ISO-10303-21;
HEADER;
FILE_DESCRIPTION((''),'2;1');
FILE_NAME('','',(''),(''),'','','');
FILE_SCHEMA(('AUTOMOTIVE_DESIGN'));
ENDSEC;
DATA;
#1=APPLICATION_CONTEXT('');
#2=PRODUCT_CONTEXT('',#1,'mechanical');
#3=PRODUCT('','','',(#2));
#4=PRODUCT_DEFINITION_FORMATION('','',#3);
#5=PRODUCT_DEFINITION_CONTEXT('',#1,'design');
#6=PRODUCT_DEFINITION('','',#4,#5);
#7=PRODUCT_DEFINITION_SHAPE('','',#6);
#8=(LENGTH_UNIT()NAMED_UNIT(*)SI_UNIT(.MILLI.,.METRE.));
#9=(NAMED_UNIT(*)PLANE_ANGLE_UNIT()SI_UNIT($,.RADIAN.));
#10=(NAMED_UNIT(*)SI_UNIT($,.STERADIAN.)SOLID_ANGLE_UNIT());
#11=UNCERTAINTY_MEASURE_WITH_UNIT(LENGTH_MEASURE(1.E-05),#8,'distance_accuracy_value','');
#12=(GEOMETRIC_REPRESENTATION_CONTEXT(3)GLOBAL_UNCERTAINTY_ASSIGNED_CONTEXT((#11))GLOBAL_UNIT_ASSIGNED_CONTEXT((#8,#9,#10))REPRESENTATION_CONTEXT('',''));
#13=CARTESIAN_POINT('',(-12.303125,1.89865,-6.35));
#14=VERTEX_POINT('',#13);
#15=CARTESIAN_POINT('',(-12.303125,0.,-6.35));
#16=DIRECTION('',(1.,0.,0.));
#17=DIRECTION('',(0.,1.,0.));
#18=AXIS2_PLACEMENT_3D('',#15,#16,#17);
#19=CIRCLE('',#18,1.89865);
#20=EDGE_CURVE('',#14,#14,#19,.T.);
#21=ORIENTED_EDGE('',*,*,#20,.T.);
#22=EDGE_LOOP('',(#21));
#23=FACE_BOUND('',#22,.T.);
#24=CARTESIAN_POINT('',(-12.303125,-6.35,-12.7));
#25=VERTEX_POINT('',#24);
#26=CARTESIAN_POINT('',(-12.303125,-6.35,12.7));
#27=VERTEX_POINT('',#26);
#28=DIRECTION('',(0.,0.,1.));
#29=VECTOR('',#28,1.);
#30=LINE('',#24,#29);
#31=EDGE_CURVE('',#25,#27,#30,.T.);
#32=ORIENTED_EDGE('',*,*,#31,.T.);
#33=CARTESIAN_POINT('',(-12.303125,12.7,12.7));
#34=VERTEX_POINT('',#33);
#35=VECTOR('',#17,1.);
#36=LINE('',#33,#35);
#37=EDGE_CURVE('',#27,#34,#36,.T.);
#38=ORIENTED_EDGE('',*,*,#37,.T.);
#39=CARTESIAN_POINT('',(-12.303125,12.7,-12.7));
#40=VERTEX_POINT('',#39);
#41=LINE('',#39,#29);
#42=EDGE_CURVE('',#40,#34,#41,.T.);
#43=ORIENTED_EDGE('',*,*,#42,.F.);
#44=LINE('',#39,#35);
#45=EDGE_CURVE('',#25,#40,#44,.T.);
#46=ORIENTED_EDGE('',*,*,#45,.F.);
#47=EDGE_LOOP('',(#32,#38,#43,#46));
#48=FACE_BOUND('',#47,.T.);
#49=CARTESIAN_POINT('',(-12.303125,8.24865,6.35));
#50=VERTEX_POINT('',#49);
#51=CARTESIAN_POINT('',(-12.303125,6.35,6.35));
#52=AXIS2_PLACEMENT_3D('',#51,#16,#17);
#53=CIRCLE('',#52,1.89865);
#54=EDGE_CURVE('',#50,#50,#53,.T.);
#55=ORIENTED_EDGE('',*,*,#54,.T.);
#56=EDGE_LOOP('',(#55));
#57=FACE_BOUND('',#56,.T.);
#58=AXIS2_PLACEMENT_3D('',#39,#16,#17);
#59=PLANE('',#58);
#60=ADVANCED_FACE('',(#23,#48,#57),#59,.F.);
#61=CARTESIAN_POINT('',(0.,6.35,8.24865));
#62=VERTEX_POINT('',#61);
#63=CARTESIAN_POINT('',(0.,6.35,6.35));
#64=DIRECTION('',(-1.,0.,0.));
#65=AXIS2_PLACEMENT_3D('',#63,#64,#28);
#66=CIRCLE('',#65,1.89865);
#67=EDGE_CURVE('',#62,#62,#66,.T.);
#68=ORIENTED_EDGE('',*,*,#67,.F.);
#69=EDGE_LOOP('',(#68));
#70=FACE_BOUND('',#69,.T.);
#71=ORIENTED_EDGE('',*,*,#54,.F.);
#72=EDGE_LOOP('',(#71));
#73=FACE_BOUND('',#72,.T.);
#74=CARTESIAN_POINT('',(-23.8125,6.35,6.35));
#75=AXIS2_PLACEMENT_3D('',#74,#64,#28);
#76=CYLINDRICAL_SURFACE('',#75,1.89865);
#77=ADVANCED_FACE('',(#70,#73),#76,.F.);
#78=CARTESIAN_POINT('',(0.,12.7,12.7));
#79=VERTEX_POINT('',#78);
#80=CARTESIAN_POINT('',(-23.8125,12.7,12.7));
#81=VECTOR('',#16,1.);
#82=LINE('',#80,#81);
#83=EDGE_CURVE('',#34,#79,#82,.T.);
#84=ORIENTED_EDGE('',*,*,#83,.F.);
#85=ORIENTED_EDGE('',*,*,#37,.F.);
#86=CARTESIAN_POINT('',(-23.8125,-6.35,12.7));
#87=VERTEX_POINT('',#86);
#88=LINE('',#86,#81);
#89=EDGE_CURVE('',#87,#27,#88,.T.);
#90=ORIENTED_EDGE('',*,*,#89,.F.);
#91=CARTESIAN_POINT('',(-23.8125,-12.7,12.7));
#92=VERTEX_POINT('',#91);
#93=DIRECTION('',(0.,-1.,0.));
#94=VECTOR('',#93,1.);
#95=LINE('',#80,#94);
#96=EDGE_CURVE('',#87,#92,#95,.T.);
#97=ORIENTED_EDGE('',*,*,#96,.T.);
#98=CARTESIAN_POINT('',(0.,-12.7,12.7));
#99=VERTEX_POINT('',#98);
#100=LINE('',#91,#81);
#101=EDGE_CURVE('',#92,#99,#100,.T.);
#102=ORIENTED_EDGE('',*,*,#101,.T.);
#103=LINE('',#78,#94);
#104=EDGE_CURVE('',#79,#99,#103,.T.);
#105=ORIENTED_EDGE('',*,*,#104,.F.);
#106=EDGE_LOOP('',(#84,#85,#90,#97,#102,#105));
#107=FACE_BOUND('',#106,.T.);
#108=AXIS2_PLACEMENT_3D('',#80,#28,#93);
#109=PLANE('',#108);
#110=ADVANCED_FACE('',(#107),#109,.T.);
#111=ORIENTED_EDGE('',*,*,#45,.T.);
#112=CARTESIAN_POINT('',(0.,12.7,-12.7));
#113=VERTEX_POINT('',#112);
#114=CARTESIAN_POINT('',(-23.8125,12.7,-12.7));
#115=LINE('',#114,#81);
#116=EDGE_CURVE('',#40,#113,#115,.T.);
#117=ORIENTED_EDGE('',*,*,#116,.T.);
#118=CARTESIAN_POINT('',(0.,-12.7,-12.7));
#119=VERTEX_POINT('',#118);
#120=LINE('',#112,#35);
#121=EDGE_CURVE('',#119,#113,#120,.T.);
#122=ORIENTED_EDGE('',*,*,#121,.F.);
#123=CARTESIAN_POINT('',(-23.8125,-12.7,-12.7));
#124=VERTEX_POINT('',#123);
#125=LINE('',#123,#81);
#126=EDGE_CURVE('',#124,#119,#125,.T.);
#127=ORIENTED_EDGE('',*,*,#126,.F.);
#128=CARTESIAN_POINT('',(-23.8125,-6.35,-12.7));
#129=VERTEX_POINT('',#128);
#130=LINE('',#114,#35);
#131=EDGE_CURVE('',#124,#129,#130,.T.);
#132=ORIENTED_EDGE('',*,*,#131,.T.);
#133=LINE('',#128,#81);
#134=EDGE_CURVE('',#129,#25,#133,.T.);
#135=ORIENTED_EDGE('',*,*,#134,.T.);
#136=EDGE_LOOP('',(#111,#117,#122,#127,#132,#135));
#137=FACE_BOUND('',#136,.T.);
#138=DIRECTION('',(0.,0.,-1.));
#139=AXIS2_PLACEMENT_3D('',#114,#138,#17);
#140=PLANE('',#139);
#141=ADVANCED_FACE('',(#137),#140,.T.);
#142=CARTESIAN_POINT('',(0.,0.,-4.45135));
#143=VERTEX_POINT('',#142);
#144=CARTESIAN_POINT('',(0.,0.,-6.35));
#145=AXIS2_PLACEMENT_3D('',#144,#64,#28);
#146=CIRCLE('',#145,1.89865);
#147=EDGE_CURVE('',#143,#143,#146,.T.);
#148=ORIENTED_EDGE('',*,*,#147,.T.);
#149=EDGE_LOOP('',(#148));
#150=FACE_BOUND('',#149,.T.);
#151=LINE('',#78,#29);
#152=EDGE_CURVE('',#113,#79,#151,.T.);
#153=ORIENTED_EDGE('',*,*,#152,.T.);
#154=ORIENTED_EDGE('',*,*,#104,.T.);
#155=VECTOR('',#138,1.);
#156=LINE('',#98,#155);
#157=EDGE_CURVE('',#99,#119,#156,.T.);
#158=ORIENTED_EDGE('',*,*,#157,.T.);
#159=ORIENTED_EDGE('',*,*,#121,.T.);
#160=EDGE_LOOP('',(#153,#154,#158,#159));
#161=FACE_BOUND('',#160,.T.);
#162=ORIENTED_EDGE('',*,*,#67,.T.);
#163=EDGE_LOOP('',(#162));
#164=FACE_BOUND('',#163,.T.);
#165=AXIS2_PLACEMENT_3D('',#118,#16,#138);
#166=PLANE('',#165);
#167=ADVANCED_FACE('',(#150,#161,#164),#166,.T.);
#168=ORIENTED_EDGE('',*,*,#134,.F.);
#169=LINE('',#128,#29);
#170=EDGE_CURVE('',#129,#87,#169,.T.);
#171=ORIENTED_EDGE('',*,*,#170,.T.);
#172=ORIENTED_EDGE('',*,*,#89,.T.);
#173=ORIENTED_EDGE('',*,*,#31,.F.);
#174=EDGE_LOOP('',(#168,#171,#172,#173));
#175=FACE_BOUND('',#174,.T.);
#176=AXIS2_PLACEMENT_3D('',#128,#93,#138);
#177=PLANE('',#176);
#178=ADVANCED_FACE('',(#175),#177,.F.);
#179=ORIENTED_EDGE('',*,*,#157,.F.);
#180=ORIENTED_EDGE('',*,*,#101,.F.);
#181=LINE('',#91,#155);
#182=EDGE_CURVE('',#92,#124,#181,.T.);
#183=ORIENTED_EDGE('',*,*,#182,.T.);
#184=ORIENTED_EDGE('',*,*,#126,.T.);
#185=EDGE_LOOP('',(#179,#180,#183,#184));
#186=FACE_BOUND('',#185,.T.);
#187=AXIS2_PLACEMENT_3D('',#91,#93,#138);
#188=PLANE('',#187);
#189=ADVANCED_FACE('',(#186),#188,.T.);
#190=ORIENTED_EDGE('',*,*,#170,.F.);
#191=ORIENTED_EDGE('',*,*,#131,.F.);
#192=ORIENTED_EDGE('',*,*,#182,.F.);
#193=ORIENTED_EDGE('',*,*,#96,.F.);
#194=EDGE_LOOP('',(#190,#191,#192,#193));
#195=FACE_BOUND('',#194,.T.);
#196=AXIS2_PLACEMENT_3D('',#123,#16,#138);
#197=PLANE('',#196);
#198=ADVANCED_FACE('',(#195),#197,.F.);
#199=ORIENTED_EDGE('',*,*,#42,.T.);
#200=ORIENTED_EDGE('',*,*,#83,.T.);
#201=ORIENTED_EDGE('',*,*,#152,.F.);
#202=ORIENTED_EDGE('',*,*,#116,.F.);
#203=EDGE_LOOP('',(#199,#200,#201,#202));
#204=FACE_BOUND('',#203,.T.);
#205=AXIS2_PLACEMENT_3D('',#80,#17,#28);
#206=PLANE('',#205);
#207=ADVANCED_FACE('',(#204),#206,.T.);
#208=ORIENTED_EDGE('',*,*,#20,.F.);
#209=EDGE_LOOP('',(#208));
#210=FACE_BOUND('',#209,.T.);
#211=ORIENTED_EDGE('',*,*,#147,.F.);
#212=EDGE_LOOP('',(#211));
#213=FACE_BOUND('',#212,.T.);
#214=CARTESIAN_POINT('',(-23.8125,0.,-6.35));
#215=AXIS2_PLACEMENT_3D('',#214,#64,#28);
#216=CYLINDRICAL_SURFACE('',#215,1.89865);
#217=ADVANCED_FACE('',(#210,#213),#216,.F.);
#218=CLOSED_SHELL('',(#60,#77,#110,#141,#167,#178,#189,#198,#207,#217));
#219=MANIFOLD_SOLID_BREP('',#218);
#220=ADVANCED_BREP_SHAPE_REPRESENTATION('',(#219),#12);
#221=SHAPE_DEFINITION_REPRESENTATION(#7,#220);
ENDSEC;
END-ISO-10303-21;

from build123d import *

# Parameters (mm, degrees)
SKETCH1_W              = 25.4
SKETCH1_H              = 25.4
EXTRUDE1_DEPTH         = 23.8125
SKETCH2_W              = 11.509375
SKETCH2_H              = 19.05
EXTRUDE2_DEPTH         = 38.060560658
F_10_24_TAPPED_HOLE1_D = 3.7973


with BuildPart() as part:
    # Sketch1 → Extrude1 (new body)
    with BuildSketch(Plane(origin=(0, 0, 0), x_dir=(0, 0, -1), z_dir=(1, 0, 0))):
        Rectangle(SKETCH1_W, SKETCH1_H)
    extrude(amount=-EXTRUDE1_DEPTH)

    # Sketch2 → Extrude2 (cut, through all)
    with BuildSketch(Plane.XY.offset(12.7)):
        with Locations((-18.0578125, 3.175)):
            Rectangle(SKETCH2_W, SKETCH2_H)
    extrude(amount=-EXTRUDE2_DEPTH, mode=Mode.SUBTRACT)

    # #10-24 Tapped Hole1 (through all)
    with Locations(Plane(origin=(-23.8125, 0.158049728, -0.576860853), x_dir=(0, 0, -1), z_dir=(-1, 0, 0))):
        with Locations((5.773139147, 0.158049728), (-6.926860853, -6.191950272)):
            Hole(F_10_24_TAPPED_HOLE1_D / 2)


solid = part.part
